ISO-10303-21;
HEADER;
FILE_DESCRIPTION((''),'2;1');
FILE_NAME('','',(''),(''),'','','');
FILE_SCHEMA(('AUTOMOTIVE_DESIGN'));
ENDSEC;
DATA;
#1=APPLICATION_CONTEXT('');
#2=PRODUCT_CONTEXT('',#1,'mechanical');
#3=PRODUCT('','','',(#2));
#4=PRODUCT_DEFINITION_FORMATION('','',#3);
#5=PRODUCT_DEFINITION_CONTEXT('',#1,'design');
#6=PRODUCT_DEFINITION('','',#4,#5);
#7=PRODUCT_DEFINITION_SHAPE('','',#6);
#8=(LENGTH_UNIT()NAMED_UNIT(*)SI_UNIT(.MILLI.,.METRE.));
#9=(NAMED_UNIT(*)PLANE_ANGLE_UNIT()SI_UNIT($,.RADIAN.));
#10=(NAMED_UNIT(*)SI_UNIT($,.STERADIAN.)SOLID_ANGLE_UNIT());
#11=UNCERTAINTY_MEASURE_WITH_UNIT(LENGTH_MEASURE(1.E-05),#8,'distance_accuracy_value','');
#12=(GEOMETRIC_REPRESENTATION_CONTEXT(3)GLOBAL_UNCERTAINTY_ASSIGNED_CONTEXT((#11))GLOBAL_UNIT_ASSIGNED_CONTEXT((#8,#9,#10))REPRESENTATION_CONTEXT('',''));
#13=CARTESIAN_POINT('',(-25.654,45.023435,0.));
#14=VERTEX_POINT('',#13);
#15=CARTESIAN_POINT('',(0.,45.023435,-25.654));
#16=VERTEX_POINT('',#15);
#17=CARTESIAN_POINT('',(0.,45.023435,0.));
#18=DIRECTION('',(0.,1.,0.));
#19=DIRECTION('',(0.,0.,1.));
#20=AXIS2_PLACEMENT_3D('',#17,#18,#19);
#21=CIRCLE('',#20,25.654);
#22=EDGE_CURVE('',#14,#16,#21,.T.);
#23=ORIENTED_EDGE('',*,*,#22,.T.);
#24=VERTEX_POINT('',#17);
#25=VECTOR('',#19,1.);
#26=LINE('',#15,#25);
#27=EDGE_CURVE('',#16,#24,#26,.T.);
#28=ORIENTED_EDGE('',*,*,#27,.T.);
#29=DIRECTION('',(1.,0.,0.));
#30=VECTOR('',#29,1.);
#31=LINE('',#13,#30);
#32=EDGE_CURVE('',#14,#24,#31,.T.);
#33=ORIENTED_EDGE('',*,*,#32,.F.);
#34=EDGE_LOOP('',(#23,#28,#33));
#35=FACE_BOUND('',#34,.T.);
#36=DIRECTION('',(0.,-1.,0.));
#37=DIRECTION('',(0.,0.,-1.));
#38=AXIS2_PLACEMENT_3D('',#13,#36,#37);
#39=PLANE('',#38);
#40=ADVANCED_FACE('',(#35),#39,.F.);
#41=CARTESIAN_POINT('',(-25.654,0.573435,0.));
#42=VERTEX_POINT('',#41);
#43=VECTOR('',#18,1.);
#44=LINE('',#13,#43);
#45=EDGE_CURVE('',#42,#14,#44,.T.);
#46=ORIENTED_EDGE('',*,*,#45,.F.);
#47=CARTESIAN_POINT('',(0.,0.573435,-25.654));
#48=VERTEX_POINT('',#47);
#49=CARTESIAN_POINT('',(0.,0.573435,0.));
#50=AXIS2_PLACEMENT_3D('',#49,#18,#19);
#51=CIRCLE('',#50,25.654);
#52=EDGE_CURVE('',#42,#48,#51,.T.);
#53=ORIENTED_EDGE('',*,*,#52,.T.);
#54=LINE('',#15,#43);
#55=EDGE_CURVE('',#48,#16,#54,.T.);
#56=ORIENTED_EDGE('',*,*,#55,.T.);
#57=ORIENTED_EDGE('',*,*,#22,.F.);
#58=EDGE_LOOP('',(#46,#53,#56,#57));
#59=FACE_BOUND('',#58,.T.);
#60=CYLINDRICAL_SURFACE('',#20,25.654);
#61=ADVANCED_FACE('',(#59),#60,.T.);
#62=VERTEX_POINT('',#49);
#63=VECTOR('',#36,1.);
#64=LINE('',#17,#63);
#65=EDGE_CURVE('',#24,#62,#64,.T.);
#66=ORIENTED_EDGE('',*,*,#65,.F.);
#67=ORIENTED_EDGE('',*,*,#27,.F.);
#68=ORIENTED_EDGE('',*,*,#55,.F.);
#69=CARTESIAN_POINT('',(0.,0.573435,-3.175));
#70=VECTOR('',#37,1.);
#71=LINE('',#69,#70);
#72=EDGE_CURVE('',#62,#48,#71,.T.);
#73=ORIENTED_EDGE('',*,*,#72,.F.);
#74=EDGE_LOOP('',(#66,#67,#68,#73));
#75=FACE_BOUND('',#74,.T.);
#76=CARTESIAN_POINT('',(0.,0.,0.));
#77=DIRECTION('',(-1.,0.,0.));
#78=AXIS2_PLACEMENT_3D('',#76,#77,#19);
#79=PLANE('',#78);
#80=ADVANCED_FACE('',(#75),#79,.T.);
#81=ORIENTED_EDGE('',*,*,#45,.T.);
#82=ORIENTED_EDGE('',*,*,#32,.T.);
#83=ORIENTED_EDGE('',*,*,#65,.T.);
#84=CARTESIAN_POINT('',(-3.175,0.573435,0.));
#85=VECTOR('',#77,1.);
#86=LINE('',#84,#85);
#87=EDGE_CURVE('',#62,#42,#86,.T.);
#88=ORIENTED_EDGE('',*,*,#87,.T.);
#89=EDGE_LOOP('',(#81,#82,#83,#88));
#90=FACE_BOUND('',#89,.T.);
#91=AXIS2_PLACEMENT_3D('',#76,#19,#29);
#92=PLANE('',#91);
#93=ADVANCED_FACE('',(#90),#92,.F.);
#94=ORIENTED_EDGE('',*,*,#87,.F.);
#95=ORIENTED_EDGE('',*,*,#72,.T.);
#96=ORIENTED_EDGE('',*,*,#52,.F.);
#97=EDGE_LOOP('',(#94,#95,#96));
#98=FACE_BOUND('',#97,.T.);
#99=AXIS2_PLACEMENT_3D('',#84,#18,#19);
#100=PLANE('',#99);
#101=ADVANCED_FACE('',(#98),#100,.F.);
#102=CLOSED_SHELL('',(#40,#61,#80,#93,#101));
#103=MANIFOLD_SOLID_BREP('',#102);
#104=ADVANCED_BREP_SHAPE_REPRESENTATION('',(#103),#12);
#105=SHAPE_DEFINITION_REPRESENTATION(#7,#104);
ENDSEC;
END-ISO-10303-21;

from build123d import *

# Parameters (mm, degrees)
REVOLVE2_ANGLE = 270


with BuildPart() as part:
    # Sketch1 → Revolve2 (revolve)
    with BuildSketch(Plane(origin=(0, 0, 0), x_dir=(0, 0, -1), z_dir=(1, 0, 0))):
        Polygon((25.654, 45.023434974), (25.654, 0.573434974), (3.175, 0.573434974), (0, 0.573434974), (0, 45.023434974), (3.175, 45.023434974), align=None)
    revolve(axis=Axis((0, 45.023434974, 0), (0, -1, 0)), revolution_arc=REVOLVE2_ANGLE)


solid = part.part
